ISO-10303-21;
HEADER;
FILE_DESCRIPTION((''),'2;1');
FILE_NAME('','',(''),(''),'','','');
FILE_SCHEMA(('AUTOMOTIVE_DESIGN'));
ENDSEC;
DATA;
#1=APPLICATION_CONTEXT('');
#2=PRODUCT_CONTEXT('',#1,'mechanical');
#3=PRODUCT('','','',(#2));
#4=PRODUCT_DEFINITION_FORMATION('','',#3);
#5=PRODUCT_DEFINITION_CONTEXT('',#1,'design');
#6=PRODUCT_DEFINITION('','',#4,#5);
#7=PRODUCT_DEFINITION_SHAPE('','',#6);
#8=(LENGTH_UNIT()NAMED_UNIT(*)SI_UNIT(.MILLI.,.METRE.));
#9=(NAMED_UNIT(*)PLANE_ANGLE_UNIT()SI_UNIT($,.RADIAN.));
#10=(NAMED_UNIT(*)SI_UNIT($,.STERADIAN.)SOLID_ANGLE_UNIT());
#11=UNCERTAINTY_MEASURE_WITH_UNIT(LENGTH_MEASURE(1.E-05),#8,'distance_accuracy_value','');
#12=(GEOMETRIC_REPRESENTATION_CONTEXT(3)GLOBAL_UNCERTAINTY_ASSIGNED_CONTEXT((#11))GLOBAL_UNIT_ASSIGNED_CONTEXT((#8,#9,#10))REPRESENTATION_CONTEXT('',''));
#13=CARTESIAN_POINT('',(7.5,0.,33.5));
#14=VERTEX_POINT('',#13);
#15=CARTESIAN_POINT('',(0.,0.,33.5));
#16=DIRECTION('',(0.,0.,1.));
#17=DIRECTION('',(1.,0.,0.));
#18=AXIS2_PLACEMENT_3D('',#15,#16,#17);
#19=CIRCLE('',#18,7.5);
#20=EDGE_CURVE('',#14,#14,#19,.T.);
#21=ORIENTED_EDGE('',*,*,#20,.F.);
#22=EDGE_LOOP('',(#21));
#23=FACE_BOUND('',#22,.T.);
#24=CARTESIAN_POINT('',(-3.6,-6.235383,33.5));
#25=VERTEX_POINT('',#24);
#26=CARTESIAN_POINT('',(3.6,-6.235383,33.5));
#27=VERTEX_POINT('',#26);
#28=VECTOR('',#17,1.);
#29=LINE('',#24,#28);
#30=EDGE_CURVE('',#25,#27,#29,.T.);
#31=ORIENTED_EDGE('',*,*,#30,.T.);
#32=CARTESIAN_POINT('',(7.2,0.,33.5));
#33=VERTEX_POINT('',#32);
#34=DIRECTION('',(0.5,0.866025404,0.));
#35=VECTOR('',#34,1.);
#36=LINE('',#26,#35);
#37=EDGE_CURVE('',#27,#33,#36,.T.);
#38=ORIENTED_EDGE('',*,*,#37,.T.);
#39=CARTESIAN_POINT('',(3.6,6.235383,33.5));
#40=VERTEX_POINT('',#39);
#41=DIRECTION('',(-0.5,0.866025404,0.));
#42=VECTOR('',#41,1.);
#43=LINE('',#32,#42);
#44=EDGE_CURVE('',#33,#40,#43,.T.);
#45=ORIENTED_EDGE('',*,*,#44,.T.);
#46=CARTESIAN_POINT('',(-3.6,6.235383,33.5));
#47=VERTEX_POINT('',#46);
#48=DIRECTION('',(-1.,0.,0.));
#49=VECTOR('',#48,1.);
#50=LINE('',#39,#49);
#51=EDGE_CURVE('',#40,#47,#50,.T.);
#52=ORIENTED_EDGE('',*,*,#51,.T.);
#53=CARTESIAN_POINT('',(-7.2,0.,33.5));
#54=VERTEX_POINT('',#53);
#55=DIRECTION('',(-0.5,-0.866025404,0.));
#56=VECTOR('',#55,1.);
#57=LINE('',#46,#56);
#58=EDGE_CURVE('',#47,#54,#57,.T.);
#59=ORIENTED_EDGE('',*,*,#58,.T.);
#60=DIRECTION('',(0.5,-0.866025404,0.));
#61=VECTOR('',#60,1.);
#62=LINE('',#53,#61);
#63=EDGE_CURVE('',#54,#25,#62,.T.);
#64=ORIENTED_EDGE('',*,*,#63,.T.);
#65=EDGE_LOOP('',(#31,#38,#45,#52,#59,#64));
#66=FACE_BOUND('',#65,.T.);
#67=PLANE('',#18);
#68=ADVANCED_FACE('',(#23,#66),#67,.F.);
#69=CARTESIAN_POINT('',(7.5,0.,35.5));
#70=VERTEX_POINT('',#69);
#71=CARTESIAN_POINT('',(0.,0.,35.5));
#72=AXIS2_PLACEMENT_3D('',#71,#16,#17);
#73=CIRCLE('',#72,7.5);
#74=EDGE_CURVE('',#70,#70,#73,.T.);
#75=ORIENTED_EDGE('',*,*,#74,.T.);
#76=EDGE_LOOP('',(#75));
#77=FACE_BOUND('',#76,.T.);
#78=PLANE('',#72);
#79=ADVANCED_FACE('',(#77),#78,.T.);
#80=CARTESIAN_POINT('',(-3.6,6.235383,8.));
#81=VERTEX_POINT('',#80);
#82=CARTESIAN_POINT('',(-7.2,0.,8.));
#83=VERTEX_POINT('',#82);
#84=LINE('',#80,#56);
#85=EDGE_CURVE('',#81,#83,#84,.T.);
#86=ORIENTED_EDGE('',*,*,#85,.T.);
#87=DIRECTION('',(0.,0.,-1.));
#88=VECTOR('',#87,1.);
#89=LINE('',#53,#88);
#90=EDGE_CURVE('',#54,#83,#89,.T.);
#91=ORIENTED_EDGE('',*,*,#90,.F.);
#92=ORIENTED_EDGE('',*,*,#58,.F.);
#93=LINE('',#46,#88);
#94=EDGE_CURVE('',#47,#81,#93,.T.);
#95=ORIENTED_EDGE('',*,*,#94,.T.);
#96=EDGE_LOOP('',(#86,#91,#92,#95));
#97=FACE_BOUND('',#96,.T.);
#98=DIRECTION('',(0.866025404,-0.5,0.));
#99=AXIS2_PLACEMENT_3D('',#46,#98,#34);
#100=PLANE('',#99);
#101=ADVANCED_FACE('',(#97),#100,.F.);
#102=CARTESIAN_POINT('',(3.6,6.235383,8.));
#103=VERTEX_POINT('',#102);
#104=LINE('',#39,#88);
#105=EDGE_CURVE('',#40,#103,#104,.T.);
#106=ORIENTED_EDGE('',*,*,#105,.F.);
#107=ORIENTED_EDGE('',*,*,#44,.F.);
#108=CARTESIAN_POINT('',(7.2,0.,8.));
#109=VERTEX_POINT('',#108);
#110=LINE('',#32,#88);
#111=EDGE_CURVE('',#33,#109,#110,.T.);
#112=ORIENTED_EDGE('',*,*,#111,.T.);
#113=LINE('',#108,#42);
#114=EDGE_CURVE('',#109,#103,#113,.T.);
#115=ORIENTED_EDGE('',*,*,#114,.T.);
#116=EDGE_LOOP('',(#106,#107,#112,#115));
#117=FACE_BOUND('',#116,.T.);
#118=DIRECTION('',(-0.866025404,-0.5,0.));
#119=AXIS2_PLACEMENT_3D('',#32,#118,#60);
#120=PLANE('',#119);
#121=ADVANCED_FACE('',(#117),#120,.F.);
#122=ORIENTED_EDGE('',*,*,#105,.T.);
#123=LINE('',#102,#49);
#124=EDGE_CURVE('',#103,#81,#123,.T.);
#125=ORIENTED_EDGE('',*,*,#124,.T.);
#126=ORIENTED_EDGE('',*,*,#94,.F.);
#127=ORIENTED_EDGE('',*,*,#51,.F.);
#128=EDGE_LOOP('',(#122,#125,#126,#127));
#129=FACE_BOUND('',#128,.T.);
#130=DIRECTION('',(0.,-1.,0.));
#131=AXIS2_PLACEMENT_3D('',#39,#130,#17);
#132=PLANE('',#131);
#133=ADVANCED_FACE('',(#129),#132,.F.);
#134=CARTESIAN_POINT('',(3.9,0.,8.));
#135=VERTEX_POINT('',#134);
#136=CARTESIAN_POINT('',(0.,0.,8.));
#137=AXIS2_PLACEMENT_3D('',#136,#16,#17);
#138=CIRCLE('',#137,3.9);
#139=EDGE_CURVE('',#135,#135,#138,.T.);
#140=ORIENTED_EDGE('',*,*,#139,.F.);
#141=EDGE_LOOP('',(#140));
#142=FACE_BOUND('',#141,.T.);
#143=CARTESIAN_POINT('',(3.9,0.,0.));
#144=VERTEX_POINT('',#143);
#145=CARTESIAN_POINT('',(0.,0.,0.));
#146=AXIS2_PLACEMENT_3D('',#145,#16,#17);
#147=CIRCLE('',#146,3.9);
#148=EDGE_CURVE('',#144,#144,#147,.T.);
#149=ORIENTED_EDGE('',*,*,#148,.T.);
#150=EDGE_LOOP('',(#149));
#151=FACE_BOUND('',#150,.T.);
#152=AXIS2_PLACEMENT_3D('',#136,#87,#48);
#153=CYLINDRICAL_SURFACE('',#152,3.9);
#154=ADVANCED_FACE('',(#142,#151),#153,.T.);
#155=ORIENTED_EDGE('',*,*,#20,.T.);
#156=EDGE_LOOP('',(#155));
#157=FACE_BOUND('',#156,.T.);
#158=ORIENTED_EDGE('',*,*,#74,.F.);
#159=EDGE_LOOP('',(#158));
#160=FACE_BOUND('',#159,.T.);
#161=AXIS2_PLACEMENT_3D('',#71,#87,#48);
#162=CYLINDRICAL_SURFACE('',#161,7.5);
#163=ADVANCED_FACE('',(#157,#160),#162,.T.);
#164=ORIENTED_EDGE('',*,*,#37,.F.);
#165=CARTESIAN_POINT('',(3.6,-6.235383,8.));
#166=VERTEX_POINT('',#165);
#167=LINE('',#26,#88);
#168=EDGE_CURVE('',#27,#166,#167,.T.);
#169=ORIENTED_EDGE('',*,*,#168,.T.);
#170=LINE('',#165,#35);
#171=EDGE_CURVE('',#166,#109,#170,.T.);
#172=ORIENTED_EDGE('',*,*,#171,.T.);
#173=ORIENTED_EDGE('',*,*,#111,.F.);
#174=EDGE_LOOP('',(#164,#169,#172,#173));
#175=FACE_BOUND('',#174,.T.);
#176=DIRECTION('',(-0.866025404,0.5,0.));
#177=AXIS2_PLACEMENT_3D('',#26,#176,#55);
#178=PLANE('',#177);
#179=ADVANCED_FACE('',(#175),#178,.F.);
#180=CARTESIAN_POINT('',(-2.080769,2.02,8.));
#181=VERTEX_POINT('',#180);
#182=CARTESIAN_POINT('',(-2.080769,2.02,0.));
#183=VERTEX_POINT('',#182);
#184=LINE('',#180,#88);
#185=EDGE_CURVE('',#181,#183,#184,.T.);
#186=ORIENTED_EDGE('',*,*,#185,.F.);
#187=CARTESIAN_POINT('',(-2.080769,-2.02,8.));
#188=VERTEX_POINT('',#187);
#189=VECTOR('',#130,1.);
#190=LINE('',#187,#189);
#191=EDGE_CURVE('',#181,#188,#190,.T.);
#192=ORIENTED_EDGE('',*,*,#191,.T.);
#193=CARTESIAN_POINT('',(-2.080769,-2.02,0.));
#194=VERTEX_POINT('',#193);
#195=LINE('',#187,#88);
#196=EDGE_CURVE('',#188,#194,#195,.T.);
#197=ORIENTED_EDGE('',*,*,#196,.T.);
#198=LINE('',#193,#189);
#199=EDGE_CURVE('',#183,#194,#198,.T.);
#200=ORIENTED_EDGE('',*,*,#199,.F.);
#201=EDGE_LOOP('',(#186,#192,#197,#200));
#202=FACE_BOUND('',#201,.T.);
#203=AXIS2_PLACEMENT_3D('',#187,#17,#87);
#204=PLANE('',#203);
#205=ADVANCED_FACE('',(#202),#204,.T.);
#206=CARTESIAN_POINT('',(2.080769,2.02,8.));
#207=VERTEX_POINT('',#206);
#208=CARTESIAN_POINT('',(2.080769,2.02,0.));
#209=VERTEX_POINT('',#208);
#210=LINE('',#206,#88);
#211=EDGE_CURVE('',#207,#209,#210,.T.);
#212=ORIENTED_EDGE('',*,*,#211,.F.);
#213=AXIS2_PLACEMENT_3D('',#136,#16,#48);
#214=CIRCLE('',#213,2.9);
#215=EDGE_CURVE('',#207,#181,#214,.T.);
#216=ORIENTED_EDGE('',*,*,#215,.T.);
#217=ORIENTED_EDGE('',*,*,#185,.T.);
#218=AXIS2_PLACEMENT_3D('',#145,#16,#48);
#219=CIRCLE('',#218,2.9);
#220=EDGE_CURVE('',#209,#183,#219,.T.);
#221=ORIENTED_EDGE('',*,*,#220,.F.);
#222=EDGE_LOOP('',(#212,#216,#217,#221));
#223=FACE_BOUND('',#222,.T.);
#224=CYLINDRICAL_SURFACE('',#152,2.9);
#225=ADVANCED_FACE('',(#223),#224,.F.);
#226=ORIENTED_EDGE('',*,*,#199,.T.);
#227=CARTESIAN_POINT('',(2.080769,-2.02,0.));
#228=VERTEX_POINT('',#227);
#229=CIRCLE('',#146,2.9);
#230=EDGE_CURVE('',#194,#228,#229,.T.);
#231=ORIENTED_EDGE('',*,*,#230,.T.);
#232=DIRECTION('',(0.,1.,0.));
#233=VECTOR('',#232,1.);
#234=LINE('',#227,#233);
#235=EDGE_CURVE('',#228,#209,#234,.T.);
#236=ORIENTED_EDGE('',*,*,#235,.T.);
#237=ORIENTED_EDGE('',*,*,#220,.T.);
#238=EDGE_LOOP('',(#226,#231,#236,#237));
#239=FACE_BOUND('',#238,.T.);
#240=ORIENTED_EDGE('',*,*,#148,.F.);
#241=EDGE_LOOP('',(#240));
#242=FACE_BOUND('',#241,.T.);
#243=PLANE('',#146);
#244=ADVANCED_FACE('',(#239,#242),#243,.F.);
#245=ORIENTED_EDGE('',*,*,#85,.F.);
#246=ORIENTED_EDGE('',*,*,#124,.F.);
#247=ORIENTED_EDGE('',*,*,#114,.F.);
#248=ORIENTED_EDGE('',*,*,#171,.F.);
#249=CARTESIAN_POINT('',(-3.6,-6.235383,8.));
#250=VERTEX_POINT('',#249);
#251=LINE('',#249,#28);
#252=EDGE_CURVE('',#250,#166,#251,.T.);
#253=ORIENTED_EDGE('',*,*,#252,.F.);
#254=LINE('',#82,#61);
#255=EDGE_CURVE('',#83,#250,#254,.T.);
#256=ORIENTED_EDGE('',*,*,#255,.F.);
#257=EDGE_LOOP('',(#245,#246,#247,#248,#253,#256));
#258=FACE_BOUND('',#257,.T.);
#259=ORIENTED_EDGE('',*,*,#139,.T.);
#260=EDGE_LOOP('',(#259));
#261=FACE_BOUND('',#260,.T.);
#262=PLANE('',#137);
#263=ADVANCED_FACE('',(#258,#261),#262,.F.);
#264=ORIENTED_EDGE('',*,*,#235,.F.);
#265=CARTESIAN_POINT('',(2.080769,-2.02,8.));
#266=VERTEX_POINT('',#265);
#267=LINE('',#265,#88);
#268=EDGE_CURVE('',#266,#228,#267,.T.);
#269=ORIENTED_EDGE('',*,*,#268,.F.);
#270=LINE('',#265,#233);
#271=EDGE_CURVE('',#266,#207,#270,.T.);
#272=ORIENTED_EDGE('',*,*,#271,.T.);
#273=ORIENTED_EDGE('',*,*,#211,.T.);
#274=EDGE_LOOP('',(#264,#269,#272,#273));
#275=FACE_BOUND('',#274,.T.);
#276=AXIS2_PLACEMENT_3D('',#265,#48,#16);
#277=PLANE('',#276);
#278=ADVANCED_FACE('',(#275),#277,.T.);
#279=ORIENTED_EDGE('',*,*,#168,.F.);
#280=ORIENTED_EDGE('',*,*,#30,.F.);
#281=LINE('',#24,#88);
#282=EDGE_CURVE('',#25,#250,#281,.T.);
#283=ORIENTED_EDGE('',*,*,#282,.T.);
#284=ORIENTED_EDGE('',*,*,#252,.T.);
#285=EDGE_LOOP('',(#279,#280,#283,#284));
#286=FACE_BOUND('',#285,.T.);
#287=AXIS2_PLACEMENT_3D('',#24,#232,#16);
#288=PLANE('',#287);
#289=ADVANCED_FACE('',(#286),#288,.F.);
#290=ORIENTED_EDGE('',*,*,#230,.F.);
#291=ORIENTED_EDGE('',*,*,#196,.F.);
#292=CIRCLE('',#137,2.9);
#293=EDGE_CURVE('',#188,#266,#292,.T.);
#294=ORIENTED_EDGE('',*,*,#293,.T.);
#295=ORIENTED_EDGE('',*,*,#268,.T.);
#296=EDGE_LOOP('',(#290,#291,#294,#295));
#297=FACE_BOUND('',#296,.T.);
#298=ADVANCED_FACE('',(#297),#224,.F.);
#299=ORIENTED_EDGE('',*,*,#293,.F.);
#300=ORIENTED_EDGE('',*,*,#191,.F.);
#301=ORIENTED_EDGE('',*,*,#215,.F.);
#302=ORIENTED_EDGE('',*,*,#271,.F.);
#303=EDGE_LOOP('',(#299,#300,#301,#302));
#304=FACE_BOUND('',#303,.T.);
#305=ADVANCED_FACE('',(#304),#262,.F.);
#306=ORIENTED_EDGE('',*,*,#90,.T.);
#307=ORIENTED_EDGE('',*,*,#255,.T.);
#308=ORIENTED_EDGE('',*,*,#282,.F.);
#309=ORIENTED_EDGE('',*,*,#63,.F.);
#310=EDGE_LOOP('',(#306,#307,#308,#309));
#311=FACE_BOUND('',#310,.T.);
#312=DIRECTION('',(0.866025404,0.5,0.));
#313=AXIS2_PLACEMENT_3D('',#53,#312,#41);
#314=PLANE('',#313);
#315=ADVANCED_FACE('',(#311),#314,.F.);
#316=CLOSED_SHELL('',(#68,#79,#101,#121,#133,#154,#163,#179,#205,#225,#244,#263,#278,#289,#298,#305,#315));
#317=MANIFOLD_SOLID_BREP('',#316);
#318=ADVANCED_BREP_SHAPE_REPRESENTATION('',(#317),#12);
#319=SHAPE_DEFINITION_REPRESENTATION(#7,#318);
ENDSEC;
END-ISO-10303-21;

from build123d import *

# Parameters (mm, degrees)
SKETCH1_R           = 3.9
BOSS_EXTRUDE1_DEPTH = 8
BOSS_EXTRUDE2_DEPTH = 25.5
SKETCH3_R           = 7.5
BOSS_EXTRUDE3_DEPTH = 2


with BuildPart() as part:
    # Sketch1 → Boss-Extrude1 (new body)
    with BuildSketch(Plane.XY):
        Circle(SKETCH1_R)
        with BuildLine():
            Line((-2.080769089, -2.02), (-2.080769089, 2.02))
            ThreePointArc((-2.080769089, 2.02), (0, 2.9), (2.080769089, 2.02))
            Line((2.080769089, 2.02), (2.080769089, -2.02))
            ThreePointArc((2.080769089, -2.02), (0, -2.9), (-2.080769089, -2.02))
        make_face(mode=Mode.SUBTRACT)
    extrude(amount=BOSS_EXTRUDE1_DEPTH)

    # Sketch2 → Boss-Extrude2 (add)
    with BuildSketch(Plane.XY.offset(8)):
        Polygon((3.6, 6.235382907), (-3.6, 6.235382907), (-7.2, 0), (-3.6, -6.235382907), (3.6, -6.235382907), (7.2, 0), align=None)
    extrude(amount=BOSS_EXTRUDE2_DEPTH)

    # Sketch3 → Boss-Extrude3 (add)
    with BuildSketch(Plane.XY.offset(33.5)):
        Circle(SKETCH3_R)
    extrude(amount=BOSS_EXTRUDE3_DEPTH)


solid = part.part
